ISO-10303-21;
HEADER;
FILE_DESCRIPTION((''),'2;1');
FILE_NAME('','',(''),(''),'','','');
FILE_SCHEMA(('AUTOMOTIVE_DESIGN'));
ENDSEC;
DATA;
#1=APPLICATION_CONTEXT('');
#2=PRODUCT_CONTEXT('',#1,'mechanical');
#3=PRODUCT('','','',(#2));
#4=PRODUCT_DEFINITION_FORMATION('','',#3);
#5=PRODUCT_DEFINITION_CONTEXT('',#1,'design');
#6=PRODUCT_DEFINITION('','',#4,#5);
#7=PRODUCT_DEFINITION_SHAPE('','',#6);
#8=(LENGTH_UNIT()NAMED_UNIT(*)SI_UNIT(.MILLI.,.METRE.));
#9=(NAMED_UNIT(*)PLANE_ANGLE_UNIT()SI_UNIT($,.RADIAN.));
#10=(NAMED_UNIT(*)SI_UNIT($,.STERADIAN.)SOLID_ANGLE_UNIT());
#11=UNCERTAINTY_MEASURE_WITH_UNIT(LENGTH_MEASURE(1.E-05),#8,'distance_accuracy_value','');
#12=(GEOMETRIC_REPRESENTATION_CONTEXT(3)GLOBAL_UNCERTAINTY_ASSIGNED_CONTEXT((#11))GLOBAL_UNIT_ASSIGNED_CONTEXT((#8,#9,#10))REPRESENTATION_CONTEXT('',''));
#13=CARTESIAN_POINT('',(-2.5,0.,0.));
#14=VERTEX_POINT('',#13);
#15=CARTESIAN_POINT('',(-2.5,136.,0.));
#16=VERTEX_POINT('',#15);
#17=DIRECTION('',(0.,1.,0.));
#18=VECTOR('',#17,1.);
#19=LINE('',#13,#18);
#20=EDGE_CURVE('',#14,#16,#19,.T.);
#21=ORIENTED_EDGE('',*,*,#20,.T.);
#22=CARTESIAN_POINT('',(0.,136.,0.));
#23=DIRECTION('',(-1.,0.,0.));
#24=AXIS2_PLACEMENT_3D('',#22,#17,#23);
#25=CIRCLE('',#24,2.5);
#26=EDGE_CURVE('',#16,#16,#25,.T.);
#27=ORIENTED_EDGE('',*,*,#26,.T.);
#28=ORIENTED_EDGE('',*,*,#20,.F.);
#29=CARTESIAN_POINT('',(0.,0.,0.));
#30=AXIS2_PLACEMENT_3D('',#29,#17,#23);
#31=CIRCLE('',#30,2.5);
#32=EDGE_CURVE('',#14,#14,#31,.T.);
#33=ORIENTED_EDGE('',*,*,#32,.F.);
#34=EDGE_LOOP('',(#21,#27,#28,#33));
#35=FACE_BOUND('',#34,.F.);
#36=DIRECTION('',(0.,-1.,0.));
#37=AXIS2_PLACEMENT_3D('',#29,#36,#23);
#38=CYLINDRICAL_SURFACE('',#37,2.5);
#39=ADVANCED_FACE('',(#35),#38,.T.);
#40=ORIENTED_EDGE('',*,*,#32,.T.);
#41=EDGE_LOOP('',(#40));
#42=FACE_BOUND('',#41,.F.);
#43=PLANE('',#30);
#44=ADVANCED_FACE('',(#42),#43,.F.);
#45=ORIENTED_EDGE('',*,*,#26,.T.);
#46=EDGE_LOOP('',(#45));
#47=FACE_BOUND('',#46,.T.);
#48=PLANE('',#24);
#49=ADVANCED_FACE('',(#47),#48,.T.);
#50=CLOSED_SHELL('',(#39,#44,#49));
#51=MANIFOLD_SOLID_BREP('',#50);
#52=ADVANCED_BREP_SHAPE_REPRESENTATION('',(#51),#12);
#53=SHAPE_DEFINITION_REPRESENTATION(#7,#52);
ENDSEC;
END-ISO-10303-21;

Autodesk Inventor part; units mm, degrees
ref_plane "YZ Plane" through (0, 0, 0) normal (1, 0, 0) x (0, 1, 0)
ref_plane "XZ Plane" through (0, 0, 0) normal (0, 1, 0) x (-1, 0, 0)
ref_plane "XY Plane" through (0, 0, 0) normal (0, 0, 1) x (1, 0, 0)
sketch "Sketch1" plane through (0, 0, 0) normal (0, 1, 0) x (-1, 0, 0)
  circle A0 centre (0, 0) radius 2.5
  dimension "d0" = 5
extrude "Extrusion1" add sketch "Sketch1" along normal blind 136
properties part number "longshaft"
